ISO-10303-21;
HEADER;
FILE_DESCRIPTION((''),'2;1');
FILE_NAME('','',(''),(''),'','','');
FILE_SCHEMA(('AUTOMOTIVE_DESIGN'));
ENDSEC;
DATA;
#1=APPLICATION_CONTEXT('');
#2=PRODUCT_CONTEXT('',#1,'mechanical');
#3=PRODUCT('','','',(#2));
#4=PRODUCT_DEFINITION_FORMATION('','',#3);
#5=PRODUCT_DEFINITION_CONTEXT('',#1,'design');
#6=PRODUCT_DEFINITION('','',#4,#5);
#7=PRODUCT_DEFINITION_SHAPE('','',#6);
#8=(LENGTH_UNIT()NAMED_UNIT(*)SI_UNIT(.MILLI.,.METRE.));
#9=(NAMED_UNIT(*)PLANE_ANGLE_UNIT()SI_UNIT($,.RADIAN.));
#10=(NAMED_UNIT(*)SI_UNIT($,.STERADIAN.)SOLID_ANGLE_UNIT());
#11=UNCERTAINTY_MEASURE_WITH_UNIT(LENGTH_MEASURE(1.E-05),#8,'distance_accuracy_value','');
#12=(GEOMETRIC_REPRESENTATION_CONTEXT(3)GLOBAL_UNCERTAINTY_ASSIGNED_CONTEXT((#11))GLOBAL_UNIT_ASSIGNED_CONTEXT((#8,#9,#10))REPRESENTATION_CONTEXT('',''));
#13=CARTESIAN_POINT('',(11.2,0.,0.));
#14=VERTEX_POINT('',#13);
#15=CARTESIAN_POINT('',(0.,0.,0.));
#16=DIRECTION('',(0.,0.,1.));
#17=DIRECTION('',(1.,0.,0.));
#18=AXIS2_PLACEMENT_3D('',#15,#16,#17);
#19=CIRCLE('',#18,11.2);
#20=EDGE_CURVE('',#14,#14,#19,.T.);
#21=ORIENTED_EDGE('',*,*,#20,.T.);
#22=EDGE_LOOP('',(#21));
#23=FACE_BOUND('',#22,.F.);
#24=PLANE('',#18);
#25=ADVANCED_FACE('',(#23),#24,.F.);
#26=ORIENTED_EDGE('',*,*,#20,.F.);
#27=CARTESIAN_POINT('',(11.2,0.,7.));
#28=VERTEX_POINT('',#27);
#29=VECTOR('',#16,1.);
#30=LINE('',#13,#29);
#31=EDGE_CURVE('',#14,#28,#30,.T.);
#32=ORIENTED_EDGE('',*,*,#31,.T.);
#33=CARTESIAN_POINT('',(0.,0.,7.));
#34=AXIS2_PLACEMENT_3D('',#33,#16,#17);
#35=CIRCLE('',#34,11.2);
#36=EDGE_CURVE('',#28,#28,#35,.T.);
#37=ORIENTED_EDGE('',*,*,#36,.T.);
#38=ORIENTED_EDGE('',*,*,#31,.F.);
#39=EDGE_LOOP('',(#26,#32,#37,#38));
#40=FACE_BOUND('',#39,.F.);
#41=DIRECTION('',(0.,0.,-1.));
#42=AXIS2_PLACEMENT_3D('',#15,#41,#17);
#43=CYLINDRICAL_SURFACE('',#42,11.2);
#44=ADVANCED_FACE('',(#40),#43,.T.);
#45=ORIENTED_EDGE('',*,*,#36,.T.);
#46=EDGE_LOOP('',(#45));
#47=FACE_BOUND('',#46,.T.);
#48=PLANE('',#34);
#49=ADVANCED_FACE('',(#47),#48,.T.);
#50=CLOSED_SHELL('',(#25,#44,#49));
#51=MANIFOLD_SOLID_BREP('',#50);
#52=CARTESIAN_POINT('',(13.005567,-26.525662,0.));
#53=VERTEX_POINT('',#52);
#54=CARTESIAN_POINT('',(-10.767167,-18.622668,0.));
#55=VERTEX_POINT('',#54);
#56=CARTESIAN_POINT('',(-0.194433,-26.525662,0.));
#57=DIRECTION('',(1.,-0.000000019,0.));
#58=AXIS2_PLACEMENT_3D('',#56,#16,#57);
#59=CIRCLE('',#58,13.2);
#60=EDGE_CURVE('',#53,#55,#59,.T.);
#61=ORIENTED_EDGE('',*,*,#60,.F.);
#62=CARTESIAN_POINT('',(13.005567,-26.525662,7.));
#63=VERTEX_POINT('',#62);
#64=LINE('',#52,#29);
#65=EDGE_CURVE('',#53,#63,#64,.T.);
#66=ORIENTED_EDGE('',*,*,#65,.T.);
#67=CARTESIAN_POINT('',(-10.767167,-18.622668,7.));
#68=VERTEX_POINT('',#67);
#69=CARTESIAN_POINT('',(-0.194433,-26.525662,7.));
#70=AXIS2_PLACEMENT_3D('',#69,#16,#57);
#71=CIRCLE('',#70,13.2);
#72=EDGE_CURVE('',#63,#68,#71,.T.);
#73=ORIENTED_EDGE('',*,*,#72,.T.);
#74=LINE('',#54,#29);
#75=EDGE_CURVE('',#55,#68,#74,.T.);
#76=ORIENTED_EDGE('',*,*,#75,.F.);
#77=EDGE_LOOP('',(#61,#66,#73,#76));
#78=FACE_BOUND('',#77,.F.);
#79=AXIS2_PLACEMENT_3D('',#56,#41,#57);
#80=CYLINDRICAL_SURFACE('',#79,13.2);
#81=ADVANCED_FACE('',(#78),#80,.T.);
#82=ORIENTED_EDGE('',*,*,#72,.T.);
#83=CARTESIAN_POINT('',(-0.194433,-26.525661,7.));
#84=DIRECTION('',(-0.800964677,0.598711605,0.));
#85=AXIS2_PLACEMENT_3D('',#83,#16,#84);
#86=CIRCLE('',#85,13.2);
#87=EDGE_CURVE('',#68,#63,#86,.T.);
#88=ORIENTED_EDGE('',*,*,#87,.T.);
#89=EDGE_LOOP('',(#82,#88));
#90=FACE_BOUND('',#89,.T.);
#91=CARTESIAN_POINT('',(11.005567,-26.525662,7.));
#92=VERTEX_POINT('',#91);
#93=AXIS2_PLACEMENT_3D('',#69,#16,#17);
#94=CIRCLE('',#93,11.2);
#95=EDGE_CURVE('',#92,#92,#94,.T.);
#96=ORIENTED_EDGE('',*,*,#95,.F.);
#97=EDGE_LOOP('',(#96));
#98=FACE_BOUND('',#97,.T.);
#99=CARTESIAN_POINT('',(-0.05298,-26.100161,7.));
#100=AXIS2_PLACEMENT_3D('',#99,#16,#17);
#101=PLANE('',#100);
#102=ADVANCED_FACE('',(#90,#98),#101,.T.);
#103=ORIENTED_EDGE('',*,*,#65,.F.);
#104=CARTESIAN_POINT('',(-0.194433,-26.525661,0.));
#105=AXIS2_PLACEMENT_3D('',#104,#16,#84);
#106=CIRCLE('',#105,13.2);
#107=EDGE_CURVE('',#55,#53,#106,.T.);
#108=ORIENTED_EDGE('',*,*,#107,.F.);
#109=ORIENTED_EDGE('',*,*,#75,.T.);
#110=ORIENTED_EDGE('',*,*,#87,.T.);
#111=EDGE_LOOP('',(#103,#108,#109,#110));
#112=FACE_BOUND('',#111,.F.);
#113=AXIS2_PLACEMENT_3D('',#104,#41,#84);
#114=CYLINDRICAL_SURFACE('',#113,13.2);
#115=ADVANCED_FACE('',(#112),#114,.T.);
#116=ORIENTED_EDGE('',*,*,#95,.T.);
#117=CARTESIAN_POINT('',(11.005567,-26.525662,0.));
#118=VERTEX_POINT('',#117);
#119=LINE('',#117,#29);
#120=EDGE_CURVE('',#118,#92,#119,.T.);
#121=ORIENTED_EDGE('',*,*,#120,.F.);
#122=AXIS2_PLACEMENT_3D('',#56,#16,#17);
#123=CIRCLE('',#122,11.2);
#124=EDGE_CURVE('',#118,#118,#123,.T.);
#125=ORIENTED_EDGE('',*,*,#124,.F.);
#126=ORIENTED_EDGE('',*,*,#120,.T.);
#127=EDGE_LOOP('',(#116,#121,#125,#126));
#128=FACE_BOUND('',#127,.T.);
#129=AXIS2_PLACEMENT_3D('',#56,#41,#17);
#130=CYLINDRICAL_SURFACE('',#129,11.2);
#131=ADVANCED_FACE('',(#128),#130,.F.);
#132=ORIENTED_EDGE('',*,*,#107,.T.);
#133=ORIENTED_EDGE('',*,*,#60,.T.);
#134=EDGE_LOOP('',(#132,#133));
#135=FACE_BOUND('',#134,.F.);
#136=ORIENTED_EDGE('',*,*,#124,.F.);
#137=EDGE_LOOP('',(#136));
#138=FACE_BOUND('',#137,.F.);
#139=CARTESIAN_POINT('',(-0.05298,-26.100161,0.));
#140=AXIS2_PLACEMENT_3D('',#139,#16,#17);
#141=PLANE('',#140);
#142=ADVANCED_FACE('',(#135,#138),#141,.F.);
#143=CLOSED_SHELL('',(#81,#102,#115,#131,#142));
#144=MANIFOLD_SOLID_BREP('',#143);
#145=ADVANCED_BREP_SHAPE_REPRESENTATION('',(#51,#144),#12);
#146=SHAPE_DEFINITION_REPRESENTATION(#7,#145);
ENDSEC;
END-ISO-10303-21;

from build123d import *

# Parameters (mm, degrees)
F0_R     = 11.2
F1_DEPTH = 7


with BuildPart() as f1:
    # F0 (on Top) → F1 (new body)
    with BuildSketch(Plane.XY):
        with BuildLine():
            ThreePointArc((13.005567, -26.525662), (3.969695, -13.999687), (-10.767167, -18.622668))
            ThreePointArc((-10.767167, -18.622668), (-4.358561, -39.051636), (13.005567, -26.525662))
        make_face()
        with Locations((-0.194433, -26.525662)):
            Circle(F0_R, mode=Mode.SUBTRACT)
        Circle(F0_R)
    extrude(amount=F1_DEPTH)


solid = f1.part
